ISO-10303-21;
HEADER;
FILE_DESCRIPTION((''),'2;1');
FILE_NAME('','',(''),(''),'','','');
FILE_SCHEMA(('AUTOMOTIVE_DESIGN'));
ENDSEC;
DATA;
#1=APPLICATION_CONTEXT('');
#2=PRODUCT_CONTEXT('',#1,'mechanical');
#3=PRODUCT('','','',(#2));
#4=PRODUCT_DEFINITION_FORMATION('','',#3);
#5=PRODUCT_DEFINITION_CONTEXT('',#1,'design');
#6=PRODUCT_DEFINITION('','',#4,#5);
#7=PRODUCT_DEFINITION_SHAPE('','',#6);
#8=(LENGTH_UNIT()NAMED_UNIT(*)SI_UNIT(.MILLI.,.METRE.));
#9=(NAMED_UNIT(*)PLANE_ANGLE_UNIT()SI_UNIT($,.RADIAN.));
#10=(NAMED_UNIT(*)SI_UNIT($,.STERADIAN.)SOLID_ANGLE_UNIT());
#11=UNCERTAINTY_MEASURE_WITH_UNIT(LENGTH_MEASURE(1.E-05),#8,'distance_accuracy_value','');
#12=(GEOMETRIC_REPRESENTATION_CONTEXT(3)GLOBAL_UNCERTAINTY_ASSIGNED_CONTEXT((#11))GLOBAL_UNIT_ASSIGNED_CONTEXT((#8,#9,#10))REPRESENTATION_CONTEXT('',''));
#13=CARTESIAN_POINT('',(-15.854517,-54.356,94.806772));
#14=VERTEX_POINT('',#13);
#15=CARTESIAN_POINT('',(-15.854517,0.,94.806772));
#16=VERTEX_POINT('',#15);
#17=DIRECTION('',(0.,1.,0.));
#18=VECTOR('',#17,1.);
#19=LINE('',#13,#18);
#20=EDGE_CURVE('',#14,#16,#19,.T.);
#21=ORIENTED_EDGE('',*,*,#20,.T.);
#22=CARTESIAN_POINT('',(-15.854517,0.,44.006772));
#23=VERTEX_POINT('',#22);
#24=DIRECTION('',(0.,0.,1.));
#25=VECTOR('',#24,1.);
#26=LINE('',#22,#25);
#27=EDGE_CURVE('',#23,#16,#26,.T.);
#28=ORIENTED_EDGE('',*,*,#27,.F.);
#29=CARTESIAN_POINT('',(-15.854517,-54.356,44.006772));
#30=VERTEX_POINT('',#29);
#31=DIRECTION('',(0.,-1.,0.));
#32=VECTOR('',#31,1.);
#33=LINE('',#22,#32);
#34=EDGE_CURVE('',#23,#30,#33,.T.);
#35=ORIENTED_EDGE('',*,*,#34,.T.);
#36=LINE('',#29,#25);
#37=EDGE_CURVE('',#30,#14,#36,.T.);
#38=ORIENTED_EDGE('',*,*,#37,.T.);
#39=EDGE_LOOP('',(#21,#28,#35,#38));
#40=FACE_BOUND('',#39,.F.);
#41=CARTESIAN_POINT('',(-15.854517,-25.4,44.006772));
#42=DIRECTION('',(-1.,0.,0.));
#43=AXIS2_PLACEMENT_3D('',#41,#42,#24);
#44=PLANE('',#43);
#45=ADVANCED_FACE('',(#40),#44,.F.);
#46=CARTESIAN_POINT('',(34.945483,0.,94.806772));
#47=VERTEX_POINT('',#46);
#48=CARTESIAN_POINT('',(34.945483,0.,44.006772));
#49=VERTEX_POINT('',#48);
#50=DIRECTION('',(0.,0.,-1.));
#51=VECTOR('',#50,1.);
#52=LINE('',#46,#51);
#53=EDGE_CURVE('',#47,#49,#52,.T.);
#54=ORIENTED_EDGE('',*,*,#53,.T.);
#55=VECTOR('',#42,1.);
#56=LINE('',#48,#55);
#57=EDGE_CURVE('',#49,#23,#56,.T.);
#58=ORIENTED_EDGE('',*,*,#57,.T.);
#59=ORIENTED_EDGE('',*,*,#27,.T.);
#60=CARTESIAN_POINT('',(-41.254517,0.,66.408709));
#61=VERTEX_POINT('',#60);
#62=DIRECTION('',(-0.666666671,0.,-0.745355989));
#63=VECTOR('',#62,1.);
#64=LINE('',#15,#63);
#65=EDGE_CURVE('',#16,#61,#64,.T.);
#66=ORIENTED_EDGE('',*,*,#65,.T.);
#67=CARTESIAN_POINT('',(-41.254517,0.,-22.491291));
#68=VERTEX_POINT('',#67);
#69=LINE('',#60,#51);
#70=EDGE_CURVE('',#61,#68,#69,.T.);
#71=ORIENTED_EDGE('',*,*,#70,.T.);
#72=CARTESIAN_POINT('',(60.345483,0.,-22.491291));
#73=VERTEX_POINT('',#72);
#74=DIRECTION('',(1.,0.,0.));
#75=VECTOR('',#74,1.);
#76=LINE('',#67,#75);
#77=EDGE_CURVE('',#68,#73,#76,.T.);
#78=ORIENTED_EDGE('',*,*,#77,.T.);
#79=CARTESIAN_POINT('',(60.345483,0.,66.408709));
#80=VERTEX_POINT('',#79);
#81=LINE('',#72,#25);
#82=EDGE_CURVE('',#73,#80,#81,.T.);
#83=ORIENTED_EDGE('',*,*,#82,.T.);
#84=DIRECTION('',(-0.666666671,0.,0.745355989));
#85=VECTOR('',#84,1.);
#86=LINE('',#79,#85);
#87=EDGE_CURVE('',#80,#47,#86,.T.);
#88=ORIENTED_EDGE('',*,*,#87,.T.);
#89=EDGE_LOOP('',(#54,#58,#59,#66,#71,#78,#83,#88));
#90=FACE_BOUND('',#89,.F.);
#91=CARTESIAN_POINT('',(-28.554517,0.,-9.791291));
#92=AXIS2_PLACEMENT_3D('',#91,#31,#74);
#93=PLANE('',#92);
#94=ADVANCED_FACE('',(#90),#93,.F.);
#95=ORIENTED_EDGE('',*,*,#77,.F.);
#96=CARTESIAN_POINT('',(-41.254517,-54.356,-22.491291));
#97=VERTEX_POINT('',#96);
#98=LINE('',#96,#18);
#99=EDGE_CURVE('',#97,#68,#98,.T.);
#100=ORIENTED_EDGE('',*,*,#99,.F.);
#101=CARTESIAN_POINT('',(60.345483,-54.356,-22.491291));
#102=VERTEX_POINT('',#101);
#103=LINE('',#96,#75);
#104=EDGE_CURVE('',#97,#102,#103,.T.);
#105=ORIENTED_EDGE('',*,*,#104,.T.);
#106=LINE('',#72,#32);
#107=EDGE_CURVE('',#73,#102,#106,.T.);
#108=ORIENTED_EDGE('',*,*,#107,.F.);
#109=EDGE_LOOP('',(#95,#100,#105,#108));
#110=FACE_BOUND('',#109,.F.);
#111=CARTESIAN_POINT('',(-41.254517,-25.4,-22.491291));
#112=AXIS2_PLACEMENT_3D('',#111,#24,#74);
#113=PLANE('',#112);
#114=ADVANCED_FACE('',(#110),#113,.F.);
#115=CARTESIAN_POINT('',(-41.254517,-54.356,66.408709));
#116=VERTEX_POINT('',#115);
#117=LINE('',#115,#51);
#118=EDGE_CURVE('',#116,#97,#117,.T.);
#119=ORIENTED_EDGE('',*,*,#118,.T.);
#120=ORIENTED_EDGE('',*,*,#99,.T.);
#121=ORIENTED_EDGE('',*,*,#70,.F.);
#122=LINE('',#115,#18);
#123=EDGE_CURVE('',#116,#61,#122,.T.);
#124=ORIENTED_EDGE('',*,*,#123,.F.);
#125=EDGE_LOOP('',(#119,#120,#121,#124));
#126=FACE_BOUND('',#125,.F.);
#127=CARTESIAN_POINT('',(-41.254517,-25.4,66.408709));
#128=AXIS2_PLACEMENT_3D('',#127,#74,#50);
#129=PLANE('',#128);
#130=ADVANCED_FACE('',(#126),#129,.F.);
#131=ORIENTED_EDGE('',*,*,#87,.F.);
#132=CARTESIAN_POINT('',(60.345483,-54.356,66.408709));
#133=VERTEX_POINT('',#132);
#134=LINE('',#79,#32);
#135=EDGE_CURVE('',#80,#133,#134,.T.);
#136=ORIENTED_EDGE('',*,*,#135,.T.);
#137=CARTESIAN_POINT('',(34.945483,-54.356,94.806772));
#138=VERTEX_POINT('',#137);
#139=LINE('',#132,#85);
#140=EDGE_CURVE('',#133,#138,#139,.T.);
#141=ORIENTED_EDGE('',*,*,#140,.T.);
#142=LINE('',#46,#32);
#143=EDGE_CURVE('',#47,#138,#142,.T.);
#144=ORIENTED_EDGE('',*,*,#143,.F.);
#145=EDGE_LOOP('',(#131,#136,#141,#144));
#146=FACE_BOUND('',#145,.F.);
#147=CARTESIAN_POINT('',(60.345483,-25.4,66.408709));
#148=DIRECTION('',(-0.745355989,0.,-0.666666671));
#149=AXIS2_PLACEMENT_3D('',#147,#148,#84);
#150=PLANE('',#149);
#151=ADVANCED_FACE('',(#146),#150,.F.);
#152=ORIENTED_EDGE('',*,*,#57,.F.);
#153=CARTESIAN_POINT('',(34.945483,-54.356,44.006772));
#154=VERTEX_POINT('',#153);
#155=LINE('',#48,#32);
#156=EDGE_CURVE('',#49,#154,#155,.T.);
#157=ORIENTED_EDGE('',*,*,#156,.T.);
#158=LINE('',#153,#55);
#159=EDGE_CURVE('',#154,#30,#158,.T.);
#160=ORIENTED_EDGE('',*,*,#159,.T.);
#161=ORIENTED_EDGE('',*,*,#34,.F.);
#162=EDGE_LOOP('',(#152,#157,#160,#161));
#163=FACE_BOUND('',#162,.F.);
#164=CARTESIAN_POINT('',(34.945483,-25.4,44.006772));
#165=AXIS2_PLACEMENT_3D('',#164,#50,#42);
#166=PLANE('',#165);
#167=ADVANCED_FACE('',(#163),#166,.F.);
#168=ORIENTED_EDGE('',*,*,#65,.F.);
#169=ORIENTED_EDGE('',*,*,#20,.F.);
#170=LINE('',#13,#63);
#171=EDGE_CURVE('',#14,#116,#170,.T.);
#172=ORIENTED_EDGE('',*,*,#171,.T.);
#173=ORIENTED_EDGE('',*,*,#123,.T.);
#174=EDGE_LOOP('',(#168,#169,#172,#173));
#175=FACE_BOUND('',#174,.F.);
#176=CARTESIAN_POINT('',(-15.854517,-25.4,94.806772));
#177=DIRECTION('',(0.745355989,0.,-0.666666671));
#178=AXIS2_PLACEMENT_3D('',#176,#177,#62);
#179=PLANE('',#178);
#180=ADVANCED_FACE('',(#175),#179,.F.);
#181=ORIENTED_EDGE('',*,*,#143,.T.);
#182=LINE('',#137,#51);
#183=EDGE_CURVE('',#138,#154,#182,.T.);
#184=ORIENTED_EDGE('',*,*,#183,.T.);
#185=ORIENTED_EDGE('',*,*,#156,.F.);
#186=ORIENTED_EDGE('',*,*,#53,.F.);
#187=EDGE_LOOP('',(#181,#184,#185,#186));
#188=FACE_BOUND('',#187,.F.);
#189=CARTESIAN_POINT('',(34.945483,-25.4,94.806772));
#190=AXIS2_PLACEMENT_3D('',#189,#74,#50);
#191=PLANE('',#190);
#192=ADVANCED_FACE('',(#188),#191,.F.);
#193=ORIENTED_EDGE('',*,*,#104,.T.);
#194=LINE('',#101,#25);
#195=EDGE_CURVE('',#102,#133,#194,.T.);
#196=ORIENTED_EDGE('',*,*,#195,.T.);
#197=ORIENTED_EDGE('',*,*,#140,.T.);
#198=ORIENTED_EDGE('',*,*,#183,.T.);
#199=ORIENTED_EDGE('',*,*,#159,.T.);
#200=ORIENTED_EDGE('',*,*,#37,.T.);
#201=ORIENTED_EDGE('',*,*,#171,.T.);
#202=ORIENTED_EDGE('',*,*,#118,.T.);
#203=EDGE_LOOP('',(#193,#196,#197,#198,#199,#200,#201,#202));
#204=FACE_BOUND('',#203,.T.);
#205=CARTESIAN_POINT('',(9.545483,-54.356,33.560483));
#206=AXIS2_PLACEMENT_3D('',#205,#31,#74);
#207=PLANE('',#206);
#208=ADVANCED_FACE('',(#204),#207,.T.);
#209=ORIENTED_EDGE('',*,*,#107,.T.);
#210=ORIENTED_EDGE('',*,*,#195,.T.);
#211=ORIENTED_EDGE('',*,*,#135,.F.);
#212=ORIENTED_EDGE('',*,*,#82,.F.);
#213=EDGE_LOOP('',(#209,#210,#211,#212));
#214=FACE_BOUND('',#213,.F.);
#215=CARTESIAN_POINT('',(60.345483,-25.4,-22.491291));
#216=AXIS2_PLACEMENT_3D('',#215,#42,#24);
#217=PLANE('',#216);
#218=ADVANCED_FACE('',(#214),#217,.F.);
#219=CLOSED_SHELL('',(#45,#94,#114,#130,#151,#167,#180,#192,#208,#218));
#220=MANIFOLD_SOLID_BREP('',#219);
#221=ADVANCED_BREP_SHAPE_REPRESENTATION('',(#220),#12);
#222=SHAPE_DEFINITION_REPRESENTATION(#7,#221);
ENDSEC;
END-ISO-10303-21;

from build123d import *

# Parameters (mm, degrees)
F0_W     = 25.4
F0_H     = 25.4
F0_W_2   = 50.8
F1_DEPTH = 25.4
F2_DEPTH = 28.956


with BuildPart() as f1:
    # F0 (on Front) → F1 (new body)
    with BuildSketch(Plane.XZ):
        with Locations((-28.554517, -9.791291)):
            Rectangle(F0_W, F0_H)
        with Locations((9.545483, -9.791291)):
            Rectangle(F0_W_2, F0_H)
        with Locations((47.645483, -9.791291)):
            Rectangle(F0_W, F0_H)
        Polygon((-41.254517, 66.408709), (-41.254517, 2.908709), (-15.854517, 2.908709), (34.945483, 2.908709), (60.345483, 2.908709), (60.345483, 66.408709), (34.945483, 94.806772), (34.945483, 44.006772), (-15.854517, 44.006772), (-15.854517, 94.806772), align=None)
    extrude(amount=F1_DEPTH)

    # F1_face (on face) → F2 (join)
    with BuildSketch(Plane(origin=(9.545483, -25.4, 22.080837), x_dir=(1, 0, 0), z_dir=(0, -1, 0))):
        Polygon((-50.8, -44.572128), (50.8, -44.572128), (50.8, 44.327872), (25.4, 72.725935), (25.4, 21.925935), (-25.4, 21.925935), (-25.4, 72.725935), (-50.8, 44.327872), align=None)
    extrude(amount=F2_DEPTH)


solid = f1.part
